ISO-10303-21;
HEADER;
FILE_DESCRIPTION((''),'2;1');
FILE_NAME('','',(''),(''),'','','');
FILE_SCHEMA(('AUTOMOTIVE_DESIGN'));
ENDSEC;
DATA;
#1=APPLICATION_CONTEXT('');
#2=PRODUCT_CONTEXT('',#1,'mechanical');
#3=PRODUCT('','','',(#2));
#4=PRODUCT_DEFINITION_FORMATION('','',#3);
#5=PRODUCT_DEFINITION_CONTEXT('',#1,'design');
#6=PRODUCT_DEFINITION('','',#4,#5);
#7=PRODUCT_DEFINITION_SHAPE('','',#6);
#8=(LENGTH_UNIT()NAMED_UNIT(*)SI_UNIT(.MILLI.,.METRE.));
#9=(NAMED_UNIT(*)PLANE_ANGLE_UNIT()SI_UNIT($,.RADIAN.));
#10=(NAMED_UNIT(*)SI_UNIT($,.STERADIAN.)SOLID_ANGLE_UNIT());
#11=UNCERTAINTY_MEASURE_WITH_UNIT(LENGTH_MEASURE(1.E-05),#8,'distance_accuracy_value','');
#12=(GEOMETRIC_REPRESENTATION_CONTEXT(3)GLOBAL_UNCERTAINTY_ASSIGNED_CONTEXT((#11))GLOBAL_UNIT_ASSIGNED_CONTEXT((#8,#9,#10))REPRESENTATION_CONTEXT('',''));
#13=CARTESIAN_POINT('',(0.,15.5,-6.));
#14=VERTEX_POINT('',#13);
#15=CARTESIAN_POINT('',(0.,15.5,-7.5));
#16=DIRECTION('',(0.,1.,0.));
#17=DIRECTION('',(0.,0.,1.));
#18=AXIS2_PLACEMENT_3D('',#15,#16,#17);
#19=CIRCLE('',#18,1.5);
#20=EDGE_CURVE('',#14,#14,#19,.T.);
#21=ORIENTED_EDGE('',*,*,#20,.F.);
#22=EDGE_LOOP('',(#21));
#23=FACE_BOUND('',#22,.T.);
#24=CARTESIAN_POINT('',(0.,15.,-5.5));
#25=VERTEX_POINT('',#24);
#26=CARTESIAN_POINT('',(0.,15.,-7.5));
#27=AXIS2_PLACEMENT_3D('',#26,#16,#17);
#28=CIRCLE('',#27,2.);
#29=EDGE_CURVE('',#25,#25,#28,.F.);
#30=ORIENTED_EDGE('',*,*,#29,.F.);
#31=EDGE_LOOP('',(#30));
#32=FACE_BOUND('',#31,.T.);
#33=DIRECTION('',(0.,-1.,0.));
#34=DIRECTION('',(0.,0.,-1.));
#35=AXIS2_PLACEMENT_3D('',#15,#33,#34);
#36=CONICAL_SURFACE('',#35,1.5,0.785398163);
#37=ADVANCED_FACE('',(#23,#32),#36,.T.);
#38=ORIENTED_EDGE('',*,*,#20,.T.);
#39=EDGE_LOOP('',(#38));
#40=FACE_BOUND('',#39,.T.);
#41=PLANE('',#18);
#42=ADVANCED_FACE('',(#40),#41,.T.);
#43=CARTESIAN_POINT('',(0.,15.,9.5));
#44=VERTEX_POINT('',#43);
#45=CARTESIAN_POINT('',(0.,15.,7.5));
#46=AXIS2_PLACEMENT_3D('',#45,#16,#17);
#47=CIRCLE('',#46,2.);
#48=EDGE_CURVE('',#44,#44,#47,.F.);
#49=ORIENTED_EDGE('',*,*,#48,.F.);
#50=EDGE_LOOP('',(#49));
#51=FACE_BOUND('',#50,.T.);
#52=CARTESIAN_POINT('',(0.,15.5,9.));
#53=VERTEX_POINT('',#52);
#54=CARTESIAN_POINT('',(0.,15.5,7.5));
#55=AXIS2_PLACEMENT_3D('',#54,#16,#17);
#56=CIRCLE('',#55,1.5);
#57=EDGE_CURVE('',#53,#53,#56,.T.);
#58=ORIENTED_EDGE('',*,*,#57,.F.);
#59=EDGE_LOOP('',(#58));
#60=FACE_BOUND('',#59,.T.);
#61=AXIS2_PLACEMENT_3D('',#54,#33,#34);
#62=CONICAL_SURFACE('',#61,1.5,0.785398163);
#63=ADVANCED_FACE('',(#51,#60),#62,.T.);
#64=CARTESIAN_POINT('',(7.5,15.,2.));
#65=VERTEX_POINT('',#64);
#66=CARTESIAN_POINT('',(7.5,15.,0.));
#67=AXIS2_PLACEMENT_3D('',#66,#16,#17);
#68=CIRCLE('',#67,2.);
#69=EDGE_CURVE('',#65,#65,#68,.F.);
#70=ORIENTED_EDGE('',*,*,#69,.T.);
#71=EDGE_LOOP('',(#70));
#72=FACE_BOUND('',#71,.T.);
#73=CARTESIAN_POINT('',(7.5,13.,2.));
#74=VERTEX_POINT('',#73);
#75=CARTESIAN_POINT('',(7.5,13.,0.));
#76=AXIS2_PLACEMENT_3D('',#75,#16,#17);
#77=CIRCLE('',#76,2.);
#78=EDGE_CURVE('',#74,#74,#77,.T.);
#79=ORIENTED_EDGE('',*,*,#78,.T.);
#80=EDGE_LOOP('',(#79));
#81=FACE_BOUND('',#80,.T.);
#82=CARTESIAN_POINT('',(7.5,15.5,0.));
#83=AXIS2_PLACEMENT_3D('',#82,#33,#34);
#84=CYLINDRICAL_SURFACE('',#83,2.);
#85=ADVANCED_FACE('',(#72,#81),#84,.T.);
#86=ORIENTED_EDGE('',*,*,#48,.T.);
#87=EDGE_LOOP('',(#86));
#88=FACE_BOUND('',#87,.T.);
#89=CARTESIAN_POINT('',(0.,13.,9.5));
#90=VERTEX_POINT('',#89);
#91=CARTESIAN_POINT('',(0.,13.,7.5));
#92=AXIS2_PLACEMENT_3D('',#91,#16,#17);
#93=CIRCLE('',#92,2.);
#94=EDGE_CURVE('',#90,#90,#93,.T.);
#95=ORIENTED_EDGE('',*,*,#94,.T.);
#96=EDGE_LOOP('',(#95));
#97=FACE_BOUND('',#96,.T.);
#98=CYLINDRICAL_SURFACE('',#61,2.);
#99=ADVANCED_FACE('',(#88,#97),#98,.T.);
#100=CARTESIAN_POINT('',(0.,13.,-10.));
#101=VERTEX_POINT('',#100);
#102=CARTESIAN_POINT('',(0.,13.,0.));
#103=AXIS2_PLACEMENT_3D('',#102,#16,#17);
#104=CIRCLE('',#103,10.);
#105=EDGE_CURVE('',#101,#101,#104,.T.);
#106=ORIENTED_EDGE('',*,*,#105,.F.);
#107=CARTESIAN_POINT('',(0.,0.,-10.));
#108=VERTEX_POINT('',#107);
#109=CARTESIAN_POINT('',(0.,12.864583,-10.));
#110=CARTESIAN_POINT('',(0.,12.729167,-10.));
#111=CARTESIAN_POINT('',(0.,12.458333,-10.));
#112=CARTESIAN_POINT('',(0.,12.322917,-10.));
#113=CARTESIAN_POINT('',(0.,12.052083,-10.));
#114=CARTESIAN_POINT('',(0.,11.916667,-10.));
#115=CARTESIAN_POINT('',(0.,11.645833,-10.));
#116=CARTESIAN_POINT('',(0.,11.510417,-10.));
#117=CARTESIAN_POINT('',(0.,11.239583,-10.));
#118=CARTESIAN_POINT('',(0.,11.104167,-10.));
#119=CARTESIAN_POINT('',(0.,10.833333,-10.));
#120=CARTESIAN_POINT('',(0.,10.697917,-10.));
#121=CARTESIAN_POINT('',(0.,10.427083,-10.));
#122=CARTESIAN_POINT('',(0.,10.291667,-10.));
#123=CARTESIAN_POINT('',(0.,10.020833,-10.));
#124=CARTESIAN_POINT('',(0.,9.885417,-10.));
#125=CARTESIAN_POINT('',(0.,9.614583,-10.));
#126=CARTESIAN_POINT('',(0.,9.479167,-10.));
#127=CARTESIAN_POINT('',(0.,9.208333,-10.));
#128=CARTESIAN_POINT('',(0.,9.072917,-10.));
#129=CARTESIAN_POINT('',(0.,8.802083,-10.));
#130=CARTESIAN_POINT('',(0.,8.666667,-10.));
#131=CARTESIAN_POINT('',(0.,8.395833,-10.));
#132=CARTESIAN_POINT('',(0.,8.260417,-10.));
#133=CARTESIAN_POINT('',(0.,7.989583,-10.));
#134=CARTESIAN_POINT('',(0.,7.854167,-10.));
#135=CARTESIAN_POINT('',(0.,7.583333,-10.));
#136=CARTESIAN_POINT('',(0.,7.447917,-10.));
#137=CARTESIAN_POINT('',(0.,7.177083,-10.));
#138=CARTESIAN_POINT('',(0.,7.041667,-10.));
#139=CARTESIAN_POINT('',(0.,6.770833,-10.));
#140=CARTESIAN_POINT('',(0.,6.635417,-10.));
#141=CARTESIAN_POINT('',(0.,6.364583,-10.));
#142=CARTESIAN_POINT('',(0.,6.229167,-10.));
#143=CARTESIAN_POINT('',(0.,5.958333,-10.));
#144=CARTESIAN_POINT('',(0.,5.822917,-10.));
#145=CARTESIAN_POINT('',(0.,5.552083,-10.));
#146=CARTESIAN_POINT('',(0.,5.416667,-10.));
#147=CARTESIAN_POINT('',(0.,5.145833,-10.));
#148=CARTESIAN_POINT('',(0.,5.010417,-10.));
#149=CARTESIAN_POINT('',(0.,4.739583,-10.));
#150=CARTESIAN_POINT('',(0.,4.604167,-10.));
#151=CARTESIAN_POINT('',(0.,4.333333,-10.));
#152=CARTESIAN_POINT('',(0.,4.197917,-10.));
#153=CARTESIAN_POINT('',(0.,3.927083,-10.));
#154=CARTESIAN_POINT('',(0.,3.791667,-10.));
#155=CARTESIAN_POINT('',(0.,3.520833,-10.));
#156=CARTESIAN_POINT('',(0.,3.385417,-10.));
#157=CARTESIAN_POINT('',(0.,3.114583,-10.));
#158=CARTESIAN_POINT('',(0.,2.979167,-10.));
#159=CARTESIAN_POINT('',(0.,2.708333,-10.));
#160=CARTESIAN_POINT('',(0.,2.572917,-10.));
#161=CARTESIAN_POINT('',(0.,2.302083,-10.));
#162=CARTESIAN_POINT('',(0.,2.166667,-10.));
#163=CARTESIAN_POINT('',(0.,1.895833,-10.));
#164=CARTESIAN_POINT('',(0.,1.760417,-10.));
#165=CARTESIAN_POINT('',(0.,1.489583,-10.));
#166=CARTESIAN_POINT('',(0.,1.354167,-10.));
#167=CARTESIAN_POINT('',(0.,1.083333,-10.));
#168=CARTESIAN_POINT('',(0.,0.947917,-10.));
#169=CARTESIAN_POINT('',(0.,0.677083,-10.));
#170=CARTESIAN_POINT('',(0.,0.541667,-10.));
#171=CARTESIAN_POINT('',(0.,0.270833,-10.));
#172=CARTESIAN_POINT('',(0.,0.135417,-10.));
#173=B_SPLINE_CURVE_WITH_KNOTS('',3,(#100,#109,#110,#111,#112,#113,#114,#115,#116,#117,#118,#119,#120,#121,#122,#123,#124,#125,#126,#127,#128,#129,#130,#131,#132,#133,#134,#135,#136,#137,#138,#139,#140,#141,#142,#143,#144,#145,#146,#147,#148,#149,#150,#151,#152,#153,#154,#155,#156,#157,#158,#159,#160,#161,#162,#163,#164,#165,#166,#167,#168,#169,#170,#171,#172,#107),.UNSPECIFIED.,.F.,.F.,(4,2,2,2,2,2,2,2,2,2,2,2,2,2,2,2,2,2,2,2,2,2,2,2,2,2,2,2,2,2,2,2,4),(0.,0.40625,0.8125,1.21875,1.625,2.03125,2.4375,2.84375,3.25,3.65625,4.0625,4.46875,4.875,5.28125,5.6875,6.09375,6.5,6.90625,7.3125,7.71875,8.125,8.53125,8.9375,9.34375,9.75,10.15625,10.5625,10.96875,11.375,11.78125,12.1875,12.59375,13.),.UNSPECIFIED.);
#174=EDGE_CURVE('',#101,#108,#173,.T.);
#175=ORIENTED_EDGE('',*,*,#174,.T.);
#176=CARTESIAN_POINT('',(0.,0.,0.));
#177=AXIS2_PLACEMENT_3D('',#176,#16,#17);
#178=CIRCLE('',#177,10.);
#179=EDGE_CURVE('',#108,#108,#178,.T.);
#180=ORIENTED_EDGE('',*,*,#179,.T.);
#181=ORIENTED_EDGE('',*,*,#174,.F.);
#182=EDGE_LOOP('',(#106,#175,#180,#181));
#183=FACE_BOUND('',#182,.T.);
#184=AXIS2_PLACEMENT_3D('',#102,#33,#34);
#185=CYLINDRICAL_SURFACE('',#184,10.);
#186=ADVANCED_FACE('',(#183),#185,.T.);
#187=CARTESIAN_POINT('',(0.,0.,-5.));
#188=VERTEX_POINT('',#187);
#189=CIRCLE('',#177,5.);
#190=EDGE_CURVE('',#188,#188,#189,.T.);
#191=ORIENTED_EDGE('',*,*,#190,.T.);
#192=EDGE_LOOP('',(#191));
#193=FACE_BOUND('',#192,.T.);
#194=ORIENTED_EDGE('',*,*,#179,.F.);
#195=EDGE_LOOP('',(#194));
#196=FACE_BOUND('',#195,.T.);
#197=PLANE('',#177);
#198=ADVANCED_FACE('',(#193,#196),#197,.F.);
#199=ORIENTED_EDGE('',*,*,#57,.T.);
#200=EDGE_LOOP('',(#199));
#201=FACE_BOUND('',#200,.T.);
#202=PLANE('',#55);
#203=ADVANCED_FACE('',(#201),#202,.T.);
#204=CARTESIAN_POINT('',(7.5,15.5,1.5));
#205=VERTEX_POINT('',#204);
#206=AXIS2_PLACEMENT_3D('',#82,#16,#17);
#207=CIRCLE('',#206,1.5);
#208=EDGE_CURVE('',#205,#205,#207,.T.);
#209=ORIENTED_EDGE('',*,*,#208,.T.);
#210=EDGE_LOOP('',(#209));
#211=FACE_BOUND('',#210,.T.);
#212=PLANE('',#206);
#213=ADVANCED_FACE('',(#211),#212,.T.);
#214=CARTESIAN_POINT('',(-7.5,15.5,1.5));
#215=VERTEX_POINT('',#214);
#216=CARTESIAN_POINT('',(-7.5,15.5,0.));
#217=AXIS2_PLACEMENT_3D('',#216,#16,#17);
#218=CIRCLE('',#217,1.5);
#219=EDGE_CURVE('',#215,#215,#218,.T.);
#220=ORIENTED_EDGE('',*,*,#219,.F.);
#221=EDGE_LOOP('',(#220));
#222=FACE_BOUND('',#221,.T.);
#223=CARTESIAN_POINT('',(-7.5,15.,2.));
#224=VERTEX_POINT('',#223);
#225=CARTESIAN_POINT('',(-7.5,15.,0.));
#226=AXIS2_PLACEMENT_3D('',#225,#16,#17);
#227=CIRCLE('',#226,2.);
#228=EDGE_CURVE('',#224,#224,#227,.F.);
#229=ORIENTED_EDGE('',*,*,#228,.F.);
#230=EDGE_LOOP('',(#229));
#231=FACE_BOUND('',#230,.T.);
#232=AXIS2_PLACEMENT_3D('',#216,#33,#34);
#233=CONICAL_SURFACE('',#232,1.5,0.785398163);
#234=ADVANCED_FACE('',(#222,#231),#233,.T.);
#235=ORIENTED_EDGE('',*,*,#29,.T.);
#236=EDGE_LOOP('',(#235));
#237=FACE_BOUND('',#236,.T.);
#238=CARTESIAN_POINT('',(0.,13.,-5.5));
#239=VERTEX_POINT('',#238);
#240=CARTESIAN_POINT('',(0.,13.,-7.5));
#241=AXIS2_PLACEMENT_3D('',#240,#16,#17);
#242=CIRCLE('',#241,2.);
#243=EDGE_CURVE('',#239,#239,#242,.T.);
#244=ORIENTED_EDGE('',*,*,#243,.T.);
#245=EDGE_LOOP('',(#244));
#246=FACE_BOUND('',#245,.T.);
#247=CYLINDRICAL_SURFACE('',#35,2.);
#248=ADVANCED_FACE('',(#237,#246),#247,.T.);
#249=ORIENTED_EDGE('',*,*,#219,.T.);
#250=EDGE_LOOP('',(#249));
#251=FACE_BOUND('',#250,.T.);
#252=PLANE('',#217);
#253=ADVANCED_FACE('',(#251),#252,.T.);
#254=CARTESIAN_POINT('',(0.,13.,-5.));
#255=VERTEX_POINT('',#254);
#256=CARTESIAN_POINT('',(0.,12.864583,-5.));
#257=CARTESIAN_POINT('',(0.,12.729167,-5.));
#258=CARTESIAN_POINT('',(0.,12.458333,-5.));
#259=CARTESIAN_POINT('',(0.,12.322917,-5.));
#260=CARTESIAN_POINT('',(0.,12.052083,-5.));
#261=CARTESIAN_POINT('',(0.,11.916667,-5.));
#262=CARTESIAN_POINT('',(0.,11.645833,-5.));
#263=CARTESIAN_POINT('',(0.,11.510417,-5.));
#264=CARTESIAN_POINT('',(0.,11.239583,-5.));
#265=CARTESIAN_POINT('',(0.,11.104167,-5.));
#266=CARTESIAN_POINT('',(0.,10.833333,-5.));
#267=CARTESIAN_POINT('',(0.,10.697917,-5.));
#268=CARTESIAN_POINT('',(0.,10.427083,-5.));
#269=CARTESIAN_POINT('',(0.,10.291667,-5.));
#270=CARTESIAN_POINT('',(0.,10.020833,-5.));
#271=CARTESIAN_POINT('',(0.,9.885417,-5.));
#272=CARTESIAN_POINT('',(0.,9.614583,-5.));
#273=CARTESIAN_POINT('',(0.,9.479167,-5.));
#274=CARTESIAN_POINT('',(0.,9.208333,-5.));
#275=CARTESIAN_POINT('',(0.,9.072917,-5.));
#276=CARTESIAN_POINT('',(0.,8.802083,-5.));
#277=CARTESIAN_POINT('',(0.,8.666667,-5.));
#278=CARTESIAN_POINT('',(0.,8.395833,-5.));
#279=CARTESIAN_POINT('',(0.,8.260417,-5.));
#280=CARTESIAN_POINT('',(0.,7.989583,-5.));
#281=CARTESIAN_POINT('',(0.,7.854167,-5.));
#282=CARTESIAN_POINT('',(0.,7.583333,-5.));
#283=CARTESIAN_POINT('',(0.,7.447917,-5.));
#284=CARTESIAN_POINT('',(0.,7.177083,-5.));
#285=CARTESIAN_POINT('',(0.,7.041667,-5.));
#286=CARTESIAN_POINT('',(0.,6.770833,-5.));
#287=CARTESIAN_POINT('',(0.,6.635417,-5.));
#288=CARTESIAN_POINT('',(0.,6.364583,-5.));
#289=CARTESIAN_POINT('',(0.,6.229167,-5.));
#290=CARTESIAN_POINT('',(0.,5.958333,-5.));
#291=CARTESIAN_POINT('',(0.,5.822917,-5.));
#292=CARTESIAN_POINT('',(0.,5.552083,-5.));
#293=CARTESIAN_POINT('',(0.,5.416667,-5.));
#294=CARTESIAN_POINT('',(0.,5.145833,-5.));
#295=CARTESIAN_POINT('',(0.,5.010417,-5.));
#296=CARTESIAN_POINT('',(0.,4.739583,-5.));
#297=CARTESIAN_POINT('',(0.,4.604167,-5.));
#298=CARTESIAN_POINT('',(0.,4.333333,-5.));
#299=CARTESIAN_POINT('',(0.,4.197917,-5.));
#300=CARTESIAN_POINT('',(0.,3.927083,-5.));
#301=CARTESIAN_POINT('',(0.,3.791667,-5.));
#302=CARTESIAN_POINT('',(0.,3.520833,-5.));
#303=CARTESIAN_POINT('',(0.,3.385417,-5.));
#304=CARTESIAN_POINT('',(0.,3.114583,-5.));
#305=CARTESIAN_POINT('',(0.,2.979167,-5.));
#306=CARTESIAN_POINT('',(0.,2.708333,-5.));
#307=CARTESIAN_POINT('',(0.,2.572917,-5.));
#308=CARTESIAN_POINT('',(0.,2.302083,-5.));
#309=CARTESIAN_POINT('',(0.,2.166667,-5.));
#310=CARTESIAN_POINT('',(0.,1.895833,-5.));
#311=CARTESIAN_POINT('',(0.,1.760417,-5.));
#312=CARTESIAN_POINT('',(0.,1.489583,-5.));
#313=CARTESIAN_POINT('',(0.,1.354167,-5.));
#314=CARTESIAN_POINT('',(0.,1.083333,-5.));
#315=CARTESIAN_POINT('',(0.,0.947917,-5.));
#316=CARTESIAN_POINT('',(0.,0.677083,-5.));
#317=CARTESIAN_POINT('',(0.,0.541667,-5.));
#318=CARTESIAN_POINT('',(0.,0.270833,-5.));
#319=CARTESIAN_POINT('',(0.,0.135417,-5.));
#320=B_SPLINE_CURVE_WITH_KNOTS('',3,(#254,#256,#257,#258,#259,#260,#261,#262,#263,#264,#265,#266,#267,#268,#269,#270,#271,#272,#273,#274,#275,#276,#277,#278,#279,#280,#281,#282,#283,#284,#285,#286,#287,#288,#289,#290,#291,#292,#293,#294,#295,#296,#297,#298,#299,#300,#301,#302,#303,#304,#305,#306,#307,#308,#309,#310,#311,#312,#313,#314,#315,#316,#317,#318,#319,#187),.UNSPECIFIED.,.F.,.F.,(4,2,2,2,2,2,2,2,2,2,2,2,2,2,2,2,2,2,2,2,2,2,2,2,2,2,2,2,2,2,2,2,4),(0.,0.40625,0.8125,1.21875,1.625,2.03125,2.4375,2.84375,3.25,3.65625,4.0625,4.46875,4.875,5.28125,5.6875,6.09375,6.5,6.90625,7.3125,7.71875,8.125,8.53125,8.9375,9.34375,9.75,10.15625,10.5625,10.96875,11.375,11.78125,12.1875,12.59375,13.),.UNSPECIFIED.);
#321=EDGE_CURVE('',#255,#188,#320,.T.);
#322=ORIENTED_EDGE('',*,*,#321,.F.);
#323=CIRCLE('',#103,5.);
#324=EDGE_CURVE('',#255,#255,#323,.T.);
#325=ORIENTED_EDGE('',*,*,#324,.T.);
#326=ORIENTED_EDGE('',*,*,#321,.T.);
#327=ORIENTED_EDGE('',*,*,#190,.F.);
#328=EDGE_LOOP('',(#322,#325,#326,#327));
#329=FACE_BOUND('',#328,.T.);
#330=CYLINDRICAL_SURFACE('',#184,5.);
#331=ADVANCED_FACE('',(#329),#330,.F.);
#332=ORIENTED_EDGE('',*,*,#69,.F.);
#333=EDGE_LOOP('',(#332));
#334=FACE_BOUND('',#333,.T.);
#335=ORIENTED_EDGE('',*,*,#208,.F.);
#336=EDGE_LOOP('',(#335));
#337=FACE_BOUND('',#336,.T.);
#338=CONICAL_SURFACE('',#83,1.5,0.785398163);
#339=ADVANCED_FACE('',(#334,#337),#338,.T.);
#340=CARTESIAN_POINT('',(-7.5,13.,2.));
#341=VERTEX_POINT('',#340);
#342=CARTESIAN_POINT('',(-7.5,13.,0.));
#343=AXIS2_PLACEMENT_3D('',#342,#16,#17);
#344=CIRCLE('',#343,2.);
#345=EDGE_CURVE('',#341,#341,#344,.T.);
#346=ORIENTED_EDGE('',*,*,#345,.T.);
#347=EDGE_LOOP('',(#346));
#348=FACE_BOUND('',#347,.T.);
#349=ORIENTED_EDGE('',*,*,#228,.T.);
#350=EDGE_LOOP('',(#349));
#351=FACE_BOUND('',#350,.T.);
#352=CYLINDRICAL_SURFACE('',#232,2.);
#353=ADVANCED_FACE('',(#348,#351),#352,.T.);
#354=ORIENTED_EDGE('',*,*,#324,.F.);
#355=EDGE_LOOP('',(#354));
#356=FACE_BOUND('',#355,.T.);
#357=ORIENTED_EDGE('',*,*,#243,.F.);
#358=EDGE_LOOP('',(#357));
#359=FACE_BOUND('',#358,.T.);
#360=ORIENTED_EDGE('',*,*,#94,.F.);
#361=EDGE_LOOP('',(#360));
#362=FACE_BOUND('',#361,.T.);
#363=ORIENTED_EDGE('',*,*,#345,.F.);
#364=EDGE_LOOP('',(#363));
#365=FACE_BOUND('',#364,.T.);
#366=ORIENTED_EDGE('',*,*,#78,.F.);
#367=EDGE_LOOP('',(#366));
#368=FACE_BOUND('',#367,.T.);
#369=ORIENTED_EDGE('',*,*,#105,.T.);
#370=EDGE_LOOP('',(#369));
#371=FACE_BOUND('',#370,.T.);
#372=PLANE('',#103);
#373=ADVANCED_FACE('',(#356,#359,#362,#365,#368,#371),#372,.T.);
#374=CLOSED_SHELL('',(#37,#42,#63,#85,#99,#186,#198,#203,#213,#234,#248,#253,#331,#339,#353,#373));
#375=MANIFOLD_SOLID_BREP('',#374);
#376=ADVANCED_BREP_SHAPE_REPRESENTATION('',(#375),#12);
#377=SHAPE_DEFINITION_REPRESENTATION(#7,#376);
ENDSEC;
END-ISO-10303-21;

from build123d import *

# Parameters (mm, degrees)
SKETCH_1_R      = 10
SKETCH_1_R_2    = 5
EXTRUDE_1_DEPTH = 13
SKETCH_2_R      = 2
EXTRUDE_2_DEPTH = 2.5
CHAMFER_1_SIZE  = 0.5


with BuildPart() as part:
    # 草图1 → 凸台-拉伸1 (new body)
    with BuildSketch(Plane(origin=(0, 0, 0), x_dir=(1, 0, 0), z_dir=(0, 1, 0))):
        with Locations(Location((0, 0, 0), (0, 0, 90))):
            Circle(SKETCH_1_R)
        with Locations(Location((0, 0, 0), (0, 0, 90))):
            Circle(SKETCH_1_R_2, mode=Mode.SUBTRACT)
    extrude(amount=EXTRUDE_1_DEPTH)

    # 草图2 → 凸台-拉伸2 (add)
    with BuildSketch(Plane(origin=(0, 13, 0), x_dir=(1, 0, 0), z_dir=(0, 1, 0))):
        with Locations(Location((0, 7.5, 0), (0, 0, 270))):
            Circle(SKETCH_2_R)
        with Locations(Location((7.5, 0, 0), (0, 0, 270))):
            Circle(SKETCH_2_R)
        with Locations(Location((0, -7.5, 0), (0, 0, 270))):
            Circle(SKETCH_2_R)
        with Locations(Location((-7.5, 0, 0), (0, 0, 270))):
            Circle(SKETCH_2_R)
    extrude(amount=EXTRUDE_2_DEPTH)

    # 倒角1
    chamfer_1_edges = [part.edges().sort_by_distance(p)[0] for p in [
        (0, 15.5, -9.5),
        (7.5, 15.5, -2),
        (0, 15.5, 5.5),
        (-7.5, 15.5, -2),
    ]]
    chamfer(chamfer_1_edges, length=CHAMFER_1_SIZE)


solid = part.part
